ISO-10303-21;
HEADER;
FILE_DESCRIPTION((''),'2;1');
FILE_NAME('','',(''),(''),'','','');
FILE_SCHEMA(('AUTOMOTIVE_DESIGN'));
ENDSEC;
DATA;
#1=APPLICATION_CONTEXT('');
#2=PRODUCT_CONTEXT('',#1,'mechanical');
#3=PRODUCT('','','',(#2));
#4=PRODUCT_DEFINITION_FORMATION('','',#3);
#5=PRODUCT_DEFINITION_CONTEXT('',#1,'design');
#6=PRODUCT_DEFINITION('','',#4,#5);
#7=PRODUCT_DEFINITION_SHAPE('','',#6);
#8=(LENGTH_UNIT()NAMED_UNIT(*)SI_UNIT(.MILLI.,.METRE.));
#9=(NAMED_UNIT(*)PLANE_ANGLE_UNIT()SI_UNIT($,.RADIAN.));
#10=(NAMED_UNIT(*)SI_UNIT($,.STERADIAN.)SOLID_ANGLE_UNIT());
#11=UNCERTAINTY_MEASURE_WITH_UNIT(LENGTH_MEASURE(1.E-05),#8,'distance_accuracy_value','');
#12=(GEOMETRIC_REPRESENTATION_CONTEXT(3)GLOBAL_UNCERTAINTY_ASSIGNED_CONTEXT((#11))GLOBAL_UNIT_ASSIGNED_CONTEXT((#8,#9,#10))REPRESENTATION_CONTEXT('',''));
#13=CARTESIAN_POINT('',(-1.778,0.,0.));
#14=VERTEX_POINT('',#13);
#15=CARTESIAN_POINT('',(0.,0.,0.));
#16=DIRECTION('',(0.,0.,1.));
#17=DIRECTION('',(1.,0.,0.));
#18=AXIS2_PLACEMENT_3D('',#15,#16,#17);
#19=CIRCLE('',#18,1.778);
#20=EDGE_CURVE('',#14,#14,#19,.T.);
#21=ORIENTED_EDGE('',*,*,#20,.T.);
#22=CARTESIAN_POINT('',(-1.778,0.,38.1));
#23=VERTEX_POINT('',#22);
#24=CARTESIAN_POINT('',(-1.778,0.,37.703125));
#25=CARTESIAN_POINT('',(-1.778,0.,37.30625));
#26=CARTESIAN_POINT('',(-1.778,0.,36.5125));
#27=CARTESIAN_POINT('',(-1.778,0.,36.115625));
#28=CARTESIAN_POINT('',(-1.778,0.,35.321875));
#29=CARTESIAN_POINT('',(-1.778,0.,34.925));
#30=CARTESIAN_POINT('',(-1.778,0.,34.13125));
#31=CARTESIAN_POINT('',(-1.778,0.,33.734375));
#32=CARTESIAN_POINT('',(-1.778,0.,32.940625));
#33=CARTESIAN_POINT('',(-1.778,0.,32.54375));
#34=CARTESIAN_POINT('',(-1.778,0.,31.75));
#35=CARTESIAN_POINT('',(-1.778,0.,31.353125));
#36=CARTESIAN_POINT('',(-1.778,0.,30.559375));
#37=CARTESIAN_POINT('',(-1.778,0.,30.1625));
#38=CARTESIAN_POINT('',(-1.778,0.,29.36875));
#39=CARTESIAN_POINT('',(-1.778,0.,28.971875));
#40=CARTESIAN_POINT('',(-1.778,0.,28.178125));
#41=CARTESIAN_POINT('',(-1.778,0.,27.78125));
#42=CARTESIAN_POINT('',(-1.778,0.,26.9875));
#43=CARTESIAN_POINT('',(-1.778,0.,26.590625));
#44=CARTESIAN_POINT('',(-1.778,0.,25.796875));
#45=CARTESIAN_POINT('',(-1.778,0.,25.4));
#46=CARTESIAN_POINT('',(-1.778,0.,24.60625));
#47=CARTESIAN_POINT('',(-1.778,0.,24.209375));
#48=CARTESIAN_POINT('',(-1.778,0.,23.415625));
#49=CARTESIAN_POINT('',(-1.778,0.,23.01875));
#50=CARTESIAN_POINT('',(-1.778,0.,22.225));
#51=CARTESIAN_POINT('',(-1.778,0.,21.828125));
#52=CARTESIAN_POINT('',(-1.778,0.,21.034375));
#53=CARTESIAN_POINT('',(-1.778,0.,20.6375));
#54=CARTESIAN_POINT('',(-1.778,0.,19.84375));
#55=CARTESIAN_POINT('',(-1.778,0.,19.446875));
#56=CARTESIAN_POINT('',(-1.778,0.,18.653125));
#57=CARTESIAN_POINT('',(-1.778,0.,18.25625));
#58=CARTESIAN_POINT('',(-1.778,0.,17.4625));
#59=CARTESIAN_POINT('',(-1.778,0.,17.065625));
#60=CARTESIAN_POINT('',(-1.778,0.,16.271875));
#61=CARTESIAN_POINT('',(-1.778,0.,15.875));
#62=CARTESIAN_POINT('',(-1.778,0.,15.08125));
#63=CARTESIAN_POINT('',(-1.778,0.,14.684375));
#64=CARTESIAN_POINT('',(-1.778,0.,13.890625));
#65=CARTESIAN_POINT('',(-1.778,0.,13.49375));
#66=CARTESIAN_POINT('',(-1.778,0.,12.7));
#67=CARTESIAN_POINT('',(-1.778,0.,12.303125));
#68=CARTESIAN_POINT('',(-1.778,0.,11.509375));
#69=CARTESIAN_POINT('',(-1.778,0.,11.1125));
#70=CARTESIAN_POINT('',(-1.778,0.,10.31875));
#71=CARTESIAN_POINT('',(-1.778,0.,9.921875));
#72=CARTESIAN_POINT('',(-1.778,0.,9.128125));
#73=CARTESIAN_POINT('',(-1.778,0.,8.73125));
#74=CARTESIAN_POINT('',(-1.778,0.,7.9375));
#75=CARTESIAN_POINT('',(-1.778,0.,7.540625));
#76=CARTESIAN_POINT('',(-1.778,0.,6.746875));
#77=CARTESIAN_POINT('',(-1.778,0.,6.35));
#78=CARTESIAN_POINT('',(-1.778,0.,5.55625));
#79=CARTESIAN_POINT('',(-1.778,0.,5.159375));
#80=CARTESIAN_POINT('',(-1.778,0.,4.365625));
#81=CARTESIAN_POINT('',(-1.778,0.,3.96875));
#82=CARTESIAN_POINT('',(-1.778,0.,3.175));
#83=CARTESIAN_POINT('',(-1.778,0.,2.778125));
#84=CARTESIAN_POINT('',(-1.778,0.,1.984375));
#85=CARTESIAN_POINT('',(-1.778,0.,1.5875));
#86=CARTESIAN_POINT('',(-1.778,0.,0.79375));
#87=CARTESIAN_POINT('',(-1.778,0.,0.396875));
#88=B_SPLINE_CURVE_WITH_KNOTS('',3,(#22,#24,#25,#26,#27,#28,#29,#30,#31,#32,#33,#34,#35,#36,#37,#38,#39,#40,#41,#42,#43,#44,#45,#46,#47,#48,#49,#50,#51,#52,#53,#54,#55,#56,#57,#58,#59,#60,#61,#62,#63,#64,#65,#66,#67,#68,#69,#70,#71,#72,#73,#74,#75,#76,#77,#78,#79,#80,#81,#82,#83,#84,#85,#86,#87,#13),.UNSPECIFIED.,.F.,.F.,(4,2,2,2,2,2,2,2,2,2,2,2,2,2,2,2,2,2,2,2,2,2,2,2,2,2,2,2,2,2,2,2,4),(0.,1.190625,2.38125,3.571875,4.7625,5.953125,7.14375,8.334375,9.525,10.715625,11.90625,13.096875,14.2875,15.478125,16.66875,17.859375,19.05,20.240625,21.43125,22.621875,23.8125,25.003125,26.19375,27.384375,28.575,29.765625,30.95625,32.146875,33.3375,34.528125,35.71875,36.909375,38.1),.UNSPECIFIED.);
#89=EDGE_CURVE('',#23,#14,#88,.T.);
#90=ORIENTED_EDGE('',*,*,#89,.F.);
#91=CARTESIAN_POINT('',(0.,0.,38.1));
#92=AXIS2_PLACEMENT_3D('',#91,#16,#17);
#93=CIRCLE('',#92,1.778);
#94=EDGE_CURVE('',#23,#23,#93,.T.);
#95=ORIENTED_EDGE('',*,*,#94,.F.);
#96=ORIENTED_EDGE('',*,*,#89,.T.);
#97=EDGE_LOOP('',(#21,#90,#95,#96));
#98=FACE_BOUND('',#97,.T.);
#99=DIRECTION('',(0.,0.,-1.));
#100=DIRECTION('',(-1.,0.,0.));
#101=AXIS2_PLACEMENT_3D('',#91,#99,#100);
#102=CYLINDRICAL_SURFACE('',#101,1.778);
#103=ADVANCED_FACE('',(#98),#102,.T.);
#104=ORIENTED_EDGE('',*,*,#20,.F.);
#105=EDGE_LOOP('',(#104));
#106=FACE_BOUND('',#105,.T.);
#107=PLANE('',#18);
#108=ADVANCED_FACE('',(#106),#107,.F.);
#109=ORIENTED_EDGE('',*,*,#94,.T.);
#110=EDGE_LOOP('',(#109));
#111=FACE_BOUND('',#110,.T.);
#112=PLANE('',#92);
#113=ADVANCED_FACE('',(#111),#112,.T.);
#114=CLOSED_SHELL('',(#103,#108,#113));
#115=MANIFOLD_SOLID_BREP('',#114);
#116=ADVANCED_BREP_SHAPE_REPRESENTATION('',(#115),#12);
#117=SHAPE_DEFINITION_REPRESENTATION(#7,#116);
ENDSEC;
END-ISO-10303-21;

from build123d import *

# Parameters (mm, degrees)
SKETCH1_R           = 1.778
BOSS_EXTRUDE1_DEPTH = 38.1


with BuildPart() as part:
    # Sketch1 → Boss-Extrude1 (new body)
    with BuildSketch(Plane(origin=(0, 0, 0), x_dir=(0, 1, 0), z_dir=(0, 0, 1))):
        with Locations(Location((0, 0, 0), (0, 0, 90))):
            Circle(SKETCH1_R)
    extrude(amount=BOSS_EXTRUDE1_DEPTH)


solid = part.part
